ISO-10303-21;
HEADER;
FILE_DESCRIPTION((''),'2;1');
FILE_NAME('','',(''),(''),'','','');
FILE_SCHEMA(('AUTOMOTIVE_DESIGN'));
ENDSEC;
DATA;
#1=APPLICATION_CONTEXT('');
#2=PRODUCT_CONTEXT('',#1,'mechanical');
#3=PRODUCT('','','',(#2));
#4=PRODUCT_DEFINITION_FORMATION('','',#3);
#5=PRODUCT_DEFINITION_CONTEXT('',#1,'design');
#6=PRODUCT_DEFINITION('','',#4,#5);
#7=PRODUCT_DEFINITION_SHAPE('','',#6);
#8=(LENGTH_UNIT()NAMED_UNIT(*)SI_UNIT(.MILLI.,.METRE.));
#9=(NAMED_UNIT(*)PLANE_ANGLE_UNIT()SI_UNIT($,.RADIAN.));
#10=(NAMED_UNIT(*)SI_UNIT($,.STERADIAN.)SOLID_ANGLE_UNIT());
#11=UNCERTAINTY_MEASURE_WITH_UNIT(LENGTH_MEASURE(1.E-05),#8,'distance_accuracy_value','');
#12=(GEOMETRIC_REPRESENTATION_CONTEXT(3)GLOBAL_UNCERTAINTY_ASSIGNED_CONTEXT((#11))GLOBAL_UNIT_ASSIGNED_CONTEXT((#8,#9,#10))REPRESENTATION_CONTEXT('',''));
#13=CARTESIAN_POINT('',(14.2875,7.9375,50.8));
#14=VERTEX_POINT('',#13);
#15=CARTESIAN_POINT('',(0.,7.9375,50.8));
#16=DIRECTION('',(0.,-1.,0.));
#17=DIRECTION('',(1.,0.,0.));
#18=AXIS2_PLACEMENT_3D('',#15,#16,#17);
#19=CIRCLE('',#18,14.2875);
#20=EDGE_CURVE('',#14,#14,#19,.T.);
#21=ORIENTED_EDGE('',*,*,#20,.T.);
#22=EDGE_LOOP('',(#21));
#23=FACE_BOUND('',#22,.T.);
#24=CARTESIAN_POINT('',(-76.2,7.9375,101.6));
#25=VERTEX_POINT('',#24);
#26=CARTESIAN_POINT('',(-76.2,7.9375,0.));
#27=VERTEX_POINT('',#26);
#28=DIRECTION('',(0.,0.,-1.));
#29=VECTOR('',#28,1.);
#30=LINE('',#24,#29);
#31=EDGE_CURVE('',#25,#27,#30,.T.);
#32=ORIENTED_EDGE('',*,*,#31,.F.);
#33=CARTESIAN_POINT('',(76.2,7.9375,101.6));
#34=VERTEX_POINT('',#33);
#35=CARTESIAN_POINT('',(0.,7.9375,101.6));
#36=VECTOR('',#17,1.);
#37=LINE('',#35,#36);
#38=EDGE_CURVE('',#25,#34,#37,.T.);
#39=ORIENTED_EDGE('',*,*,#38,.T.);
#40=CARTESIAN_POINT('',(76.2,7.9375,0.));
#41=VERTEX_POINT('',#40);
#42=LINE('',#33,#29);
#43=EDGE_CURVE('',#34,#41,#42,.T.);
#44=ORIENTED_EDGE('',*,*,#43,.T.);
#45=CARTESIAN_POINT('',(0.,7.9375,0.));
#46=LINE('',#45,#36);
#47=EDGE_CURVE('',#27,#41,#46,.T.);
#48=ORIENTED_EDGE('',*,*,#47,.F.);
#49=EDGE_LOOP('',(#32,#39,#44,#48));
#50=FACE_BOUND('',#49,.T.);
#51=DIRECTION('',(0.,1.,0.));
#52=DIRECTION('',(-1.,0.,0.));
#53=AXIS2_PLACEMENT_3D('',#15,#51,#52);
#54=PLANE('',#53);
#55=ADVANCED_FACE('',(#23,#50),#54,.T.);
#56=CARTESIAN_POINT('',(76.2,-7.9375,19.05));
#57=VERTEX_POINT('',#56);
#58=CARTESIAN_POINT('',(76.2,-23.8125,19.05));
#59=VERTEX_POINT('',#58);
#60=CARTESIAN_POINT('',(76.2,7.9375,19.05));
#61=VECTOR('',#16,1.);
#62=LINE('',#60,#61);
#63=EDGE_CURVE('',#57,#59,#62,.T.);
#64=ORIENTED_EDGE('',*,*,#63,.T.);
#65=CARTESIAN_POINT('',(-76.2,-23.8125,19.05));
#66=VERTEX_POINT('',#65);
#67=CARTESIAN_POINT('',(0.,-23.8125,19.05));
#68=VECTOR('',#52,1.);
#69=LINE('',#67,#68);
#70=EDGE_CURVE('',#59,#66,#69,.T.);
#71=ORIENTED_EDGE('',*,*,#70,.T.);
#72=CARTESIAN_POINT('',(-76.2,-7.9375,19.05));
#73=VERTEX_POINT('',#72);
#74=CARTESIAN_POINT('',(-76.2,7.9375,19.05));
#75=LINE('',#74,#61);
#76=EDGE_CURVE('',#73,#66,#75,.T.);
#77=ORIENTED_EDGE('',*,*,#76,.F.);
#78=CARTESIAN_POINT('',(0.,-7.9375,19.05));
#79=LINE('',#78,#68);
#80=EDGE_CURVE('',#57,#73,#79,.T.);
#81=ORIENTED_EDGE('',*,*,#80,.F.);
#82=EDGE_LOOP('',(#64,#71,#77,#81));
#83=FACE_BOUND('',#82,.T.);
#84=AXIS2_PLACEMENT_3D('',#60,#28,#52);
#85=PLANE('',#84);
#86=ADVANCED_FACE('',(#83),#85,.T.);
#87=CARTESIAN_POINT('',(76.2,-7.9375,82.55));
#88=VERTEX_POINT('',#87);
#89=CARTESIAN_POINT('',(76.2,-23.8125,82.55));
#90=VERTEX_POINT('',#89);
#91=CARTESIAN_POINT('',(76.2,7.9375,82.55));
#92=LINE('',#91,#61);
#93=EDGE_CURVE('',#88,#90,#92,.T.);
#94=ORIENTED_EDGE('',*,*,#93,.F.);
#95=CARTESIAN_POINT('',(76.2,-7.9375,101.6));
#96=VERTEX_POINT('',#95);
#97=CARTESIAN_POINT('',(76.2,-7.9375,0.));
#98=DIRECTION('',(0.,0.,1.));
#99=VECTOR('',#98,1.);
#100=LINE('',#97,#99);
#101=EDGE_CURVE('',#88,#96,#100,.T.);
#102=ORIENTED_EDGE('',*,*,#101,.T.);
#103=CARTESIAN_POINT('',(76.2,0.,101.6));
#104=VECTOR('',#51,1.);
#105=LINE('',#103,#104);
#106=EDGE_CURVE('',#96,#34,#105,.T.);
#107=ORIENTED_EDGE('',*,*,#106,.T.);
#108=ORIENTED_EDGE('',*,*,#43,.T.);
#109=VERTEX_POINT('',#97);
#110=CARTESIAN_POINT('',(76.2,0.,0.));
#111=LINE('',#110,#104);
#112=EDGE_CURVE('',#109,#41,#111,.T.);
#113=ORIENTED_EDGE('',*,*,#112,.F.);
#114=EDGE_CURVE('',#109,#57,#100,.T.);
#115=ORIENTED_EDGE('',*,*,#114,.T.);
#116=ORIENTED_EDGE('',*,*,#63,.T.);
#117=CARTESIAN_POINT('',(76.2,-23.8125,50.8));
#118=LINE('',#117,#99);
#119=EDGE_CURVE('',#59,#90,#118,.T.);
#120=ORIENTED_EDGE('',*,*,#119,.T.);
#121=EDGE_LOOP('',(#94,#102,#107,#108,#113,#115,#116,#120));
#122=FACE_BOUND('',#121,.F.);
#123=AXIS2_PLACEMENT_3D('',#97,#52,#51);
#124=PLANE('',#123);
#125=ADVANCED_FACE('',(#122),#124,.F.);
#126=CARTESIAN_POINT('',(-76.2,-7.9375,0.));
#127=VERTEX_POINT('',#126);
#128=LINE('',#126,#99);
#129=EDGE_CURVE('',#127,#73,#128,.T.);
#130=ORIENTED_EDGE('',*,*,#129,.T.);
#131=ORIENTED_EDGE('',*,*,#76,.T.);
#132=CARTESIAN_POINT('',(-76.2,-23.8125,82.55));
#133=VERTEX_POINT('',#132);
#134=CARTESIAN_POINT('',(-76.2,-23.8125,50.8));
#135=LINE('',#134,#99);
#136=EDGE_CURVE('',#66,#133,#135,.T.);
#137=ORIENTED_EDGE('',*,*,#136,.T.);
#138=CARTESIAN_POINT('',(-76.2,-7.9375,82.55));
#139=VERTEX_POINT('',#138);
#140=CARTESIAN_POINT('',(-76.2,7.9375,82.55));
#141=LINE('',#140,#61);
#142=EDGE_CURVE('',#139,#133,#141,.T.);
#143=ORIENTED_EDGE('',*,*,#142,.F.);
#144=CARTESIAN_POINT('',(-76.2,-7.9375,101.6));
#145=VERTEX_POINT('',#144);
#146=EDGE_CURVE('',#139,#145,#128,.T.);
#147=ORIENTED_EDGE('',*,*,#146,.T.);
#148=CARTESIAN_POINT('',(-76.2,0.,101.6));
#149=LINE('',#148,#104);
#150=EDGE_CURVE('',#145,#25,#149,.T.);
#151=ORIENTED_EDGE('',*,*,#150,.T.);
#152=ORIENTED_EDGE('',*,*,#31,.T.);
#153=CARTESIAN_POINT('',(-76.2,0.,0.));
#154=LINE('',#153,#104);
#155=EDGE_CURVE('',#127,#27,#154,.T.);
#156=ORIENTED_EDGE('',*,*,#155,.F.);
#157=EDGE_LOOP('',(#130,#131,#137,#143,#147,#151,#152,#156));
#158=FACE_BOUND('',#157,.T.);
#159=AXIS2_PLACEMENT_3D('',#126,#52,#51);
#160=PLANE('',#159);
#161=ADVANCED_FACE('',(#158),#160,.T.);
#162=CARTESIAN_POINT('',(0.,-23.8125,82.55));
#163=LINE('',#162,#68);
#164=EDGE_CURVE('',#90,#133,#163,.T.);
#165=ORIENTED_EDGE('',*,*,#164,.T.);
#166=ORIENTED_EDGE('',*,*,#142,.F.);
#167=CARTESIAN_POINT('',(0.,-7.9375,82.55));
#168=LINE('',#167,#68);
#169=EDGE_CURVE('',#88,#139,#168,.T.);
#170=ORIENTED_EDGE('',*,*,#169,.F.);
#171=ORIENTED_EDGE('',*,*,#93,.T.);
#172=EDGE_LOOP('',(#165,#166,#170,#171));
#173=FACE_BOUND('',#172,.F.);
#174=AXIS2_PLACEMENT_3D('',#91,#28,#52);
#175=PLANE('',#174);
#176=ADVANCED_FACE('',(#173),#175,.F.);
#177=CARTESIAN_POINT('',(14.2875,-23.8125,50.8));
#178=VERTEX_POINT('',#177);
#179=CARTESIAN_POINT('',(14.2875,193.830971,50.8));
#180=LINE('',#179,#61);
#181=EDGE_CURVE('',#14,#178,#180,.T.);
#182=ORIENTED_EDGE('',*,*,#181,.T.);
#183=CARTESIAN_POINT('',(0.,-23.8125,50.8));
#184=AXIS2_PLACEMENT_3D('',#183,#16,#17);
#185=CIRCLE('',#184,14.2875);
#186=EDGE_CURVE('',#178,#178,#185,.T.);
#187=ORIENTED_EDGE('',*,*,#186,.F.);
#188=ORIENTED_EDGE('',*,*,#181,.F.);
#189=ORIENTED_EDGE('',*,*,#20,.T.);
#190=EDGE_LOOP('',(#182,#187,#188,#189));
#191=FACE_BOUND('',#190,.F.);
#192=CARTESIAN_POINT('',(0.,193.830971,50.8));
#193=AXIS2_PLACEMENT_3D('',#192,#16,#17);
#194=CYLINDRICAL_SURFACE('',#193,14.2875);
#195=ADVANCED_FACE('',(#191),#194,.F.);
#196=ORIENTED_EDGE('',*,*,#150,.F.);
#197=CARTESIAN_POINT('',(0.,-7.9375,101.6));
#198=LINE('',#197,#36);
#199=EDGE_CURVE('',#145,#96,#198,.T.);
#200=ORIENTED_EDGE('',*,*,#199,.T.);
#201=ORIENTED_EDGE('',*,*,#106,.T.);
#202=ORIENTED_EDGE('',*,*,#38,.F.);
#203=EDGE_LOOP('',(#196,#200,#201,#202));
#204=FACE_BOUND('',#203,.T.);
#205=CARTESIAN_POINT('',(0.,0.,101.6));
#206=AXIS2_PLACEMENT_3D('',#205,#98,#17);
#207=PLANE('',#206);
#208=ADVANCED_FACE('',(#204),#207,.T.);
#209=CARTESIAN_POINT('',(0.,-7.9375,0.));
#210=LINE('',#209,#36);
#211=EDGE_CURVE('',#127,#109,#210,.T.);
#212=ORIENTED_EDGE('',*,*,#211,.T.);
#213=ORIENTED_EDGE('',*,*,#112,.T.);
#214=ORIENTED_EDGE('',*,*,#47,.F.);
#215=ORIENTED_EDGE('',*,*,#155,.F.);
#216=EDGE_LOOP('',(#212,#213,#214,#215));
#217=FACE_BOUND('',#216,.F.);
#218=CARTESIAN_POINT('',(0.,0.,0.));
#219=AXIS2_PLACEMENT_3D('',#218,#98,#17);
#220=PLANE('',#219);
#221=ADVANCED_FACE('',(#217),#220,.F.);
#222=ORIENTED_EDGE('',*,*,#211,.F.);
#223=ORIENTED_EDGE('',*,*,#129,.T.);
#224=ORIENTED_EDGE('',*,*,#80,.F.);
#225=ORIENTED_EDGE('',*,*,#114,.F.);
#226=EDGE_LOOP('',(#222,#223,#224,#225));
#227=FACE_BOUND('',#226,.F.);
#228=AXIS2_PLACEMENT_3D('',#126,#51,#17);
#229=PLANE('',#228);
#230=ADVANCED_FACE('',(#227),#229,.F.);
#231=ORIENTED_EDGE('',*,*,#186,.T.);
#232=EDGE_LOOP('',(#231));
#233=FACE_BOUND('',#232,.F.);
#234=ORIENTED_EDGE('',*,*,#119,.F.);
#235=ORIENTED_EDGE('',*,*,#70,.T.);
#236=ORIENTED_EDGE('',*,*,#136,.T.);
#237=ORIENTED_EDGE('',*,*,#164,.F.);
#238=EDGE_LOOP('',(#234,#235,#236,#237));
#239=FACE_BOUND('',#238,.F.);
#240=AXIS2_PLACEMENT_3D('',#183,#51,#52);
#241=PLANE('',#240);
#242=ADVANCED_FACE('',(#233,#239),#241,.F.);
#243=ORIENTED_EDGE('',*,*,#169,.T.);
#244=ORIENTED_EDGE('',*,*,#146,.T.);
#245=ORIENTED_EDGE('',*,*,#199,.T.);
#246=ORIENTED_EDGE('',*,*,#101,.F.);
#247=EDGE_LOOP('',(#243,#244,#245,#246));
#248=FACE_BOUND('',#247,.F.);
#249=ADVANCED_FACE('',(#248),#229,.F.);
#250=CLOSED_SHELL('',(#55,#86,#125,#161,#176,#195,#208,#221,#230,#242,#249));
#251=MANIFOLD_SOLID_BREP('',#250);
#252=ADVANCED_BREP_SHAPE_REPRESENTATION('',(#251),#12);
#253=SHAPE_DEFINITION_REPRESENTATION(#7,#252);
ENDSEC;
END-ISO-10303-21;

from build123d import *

# Parameters (mm, degrees)
F0_W     = 152.4
F0_H     = 15.875
F1_DEPTH = 101.6
F2_W     = 152.4
F2_H     = 63.5
F3_DEPTH = 31.75
F4_D     = 28.575


with BuildPart() as f1:
    # F0 (on Top) → F1 (new body)
    with BuildSketch(Plane.XY):
        Rectangle(F0_W, F0_H)
    extrude(amount=F1_DEPTH)

    # F2 (on face) → F3 (join)
    with BuildSketch(Plane(origin=(0, 7.9375, 0), x_dir=(-1, 0, 0), z_dir=(0, 1, 0))):
        with Locations((0, 50.8)):
            Rectangle(F2_W, F2_H)
    extrude(amount=-F3_DEPTH)

    # F4 (through all)
    with Locations(Plane(origin=(0, 7.9375, 0), x_dir=(-1, 0, 0), z_dir=(0, 1, 0))):
        with Locations((0, 50.8)):
            Hole(F4_D / 2)


solid = f1.part
